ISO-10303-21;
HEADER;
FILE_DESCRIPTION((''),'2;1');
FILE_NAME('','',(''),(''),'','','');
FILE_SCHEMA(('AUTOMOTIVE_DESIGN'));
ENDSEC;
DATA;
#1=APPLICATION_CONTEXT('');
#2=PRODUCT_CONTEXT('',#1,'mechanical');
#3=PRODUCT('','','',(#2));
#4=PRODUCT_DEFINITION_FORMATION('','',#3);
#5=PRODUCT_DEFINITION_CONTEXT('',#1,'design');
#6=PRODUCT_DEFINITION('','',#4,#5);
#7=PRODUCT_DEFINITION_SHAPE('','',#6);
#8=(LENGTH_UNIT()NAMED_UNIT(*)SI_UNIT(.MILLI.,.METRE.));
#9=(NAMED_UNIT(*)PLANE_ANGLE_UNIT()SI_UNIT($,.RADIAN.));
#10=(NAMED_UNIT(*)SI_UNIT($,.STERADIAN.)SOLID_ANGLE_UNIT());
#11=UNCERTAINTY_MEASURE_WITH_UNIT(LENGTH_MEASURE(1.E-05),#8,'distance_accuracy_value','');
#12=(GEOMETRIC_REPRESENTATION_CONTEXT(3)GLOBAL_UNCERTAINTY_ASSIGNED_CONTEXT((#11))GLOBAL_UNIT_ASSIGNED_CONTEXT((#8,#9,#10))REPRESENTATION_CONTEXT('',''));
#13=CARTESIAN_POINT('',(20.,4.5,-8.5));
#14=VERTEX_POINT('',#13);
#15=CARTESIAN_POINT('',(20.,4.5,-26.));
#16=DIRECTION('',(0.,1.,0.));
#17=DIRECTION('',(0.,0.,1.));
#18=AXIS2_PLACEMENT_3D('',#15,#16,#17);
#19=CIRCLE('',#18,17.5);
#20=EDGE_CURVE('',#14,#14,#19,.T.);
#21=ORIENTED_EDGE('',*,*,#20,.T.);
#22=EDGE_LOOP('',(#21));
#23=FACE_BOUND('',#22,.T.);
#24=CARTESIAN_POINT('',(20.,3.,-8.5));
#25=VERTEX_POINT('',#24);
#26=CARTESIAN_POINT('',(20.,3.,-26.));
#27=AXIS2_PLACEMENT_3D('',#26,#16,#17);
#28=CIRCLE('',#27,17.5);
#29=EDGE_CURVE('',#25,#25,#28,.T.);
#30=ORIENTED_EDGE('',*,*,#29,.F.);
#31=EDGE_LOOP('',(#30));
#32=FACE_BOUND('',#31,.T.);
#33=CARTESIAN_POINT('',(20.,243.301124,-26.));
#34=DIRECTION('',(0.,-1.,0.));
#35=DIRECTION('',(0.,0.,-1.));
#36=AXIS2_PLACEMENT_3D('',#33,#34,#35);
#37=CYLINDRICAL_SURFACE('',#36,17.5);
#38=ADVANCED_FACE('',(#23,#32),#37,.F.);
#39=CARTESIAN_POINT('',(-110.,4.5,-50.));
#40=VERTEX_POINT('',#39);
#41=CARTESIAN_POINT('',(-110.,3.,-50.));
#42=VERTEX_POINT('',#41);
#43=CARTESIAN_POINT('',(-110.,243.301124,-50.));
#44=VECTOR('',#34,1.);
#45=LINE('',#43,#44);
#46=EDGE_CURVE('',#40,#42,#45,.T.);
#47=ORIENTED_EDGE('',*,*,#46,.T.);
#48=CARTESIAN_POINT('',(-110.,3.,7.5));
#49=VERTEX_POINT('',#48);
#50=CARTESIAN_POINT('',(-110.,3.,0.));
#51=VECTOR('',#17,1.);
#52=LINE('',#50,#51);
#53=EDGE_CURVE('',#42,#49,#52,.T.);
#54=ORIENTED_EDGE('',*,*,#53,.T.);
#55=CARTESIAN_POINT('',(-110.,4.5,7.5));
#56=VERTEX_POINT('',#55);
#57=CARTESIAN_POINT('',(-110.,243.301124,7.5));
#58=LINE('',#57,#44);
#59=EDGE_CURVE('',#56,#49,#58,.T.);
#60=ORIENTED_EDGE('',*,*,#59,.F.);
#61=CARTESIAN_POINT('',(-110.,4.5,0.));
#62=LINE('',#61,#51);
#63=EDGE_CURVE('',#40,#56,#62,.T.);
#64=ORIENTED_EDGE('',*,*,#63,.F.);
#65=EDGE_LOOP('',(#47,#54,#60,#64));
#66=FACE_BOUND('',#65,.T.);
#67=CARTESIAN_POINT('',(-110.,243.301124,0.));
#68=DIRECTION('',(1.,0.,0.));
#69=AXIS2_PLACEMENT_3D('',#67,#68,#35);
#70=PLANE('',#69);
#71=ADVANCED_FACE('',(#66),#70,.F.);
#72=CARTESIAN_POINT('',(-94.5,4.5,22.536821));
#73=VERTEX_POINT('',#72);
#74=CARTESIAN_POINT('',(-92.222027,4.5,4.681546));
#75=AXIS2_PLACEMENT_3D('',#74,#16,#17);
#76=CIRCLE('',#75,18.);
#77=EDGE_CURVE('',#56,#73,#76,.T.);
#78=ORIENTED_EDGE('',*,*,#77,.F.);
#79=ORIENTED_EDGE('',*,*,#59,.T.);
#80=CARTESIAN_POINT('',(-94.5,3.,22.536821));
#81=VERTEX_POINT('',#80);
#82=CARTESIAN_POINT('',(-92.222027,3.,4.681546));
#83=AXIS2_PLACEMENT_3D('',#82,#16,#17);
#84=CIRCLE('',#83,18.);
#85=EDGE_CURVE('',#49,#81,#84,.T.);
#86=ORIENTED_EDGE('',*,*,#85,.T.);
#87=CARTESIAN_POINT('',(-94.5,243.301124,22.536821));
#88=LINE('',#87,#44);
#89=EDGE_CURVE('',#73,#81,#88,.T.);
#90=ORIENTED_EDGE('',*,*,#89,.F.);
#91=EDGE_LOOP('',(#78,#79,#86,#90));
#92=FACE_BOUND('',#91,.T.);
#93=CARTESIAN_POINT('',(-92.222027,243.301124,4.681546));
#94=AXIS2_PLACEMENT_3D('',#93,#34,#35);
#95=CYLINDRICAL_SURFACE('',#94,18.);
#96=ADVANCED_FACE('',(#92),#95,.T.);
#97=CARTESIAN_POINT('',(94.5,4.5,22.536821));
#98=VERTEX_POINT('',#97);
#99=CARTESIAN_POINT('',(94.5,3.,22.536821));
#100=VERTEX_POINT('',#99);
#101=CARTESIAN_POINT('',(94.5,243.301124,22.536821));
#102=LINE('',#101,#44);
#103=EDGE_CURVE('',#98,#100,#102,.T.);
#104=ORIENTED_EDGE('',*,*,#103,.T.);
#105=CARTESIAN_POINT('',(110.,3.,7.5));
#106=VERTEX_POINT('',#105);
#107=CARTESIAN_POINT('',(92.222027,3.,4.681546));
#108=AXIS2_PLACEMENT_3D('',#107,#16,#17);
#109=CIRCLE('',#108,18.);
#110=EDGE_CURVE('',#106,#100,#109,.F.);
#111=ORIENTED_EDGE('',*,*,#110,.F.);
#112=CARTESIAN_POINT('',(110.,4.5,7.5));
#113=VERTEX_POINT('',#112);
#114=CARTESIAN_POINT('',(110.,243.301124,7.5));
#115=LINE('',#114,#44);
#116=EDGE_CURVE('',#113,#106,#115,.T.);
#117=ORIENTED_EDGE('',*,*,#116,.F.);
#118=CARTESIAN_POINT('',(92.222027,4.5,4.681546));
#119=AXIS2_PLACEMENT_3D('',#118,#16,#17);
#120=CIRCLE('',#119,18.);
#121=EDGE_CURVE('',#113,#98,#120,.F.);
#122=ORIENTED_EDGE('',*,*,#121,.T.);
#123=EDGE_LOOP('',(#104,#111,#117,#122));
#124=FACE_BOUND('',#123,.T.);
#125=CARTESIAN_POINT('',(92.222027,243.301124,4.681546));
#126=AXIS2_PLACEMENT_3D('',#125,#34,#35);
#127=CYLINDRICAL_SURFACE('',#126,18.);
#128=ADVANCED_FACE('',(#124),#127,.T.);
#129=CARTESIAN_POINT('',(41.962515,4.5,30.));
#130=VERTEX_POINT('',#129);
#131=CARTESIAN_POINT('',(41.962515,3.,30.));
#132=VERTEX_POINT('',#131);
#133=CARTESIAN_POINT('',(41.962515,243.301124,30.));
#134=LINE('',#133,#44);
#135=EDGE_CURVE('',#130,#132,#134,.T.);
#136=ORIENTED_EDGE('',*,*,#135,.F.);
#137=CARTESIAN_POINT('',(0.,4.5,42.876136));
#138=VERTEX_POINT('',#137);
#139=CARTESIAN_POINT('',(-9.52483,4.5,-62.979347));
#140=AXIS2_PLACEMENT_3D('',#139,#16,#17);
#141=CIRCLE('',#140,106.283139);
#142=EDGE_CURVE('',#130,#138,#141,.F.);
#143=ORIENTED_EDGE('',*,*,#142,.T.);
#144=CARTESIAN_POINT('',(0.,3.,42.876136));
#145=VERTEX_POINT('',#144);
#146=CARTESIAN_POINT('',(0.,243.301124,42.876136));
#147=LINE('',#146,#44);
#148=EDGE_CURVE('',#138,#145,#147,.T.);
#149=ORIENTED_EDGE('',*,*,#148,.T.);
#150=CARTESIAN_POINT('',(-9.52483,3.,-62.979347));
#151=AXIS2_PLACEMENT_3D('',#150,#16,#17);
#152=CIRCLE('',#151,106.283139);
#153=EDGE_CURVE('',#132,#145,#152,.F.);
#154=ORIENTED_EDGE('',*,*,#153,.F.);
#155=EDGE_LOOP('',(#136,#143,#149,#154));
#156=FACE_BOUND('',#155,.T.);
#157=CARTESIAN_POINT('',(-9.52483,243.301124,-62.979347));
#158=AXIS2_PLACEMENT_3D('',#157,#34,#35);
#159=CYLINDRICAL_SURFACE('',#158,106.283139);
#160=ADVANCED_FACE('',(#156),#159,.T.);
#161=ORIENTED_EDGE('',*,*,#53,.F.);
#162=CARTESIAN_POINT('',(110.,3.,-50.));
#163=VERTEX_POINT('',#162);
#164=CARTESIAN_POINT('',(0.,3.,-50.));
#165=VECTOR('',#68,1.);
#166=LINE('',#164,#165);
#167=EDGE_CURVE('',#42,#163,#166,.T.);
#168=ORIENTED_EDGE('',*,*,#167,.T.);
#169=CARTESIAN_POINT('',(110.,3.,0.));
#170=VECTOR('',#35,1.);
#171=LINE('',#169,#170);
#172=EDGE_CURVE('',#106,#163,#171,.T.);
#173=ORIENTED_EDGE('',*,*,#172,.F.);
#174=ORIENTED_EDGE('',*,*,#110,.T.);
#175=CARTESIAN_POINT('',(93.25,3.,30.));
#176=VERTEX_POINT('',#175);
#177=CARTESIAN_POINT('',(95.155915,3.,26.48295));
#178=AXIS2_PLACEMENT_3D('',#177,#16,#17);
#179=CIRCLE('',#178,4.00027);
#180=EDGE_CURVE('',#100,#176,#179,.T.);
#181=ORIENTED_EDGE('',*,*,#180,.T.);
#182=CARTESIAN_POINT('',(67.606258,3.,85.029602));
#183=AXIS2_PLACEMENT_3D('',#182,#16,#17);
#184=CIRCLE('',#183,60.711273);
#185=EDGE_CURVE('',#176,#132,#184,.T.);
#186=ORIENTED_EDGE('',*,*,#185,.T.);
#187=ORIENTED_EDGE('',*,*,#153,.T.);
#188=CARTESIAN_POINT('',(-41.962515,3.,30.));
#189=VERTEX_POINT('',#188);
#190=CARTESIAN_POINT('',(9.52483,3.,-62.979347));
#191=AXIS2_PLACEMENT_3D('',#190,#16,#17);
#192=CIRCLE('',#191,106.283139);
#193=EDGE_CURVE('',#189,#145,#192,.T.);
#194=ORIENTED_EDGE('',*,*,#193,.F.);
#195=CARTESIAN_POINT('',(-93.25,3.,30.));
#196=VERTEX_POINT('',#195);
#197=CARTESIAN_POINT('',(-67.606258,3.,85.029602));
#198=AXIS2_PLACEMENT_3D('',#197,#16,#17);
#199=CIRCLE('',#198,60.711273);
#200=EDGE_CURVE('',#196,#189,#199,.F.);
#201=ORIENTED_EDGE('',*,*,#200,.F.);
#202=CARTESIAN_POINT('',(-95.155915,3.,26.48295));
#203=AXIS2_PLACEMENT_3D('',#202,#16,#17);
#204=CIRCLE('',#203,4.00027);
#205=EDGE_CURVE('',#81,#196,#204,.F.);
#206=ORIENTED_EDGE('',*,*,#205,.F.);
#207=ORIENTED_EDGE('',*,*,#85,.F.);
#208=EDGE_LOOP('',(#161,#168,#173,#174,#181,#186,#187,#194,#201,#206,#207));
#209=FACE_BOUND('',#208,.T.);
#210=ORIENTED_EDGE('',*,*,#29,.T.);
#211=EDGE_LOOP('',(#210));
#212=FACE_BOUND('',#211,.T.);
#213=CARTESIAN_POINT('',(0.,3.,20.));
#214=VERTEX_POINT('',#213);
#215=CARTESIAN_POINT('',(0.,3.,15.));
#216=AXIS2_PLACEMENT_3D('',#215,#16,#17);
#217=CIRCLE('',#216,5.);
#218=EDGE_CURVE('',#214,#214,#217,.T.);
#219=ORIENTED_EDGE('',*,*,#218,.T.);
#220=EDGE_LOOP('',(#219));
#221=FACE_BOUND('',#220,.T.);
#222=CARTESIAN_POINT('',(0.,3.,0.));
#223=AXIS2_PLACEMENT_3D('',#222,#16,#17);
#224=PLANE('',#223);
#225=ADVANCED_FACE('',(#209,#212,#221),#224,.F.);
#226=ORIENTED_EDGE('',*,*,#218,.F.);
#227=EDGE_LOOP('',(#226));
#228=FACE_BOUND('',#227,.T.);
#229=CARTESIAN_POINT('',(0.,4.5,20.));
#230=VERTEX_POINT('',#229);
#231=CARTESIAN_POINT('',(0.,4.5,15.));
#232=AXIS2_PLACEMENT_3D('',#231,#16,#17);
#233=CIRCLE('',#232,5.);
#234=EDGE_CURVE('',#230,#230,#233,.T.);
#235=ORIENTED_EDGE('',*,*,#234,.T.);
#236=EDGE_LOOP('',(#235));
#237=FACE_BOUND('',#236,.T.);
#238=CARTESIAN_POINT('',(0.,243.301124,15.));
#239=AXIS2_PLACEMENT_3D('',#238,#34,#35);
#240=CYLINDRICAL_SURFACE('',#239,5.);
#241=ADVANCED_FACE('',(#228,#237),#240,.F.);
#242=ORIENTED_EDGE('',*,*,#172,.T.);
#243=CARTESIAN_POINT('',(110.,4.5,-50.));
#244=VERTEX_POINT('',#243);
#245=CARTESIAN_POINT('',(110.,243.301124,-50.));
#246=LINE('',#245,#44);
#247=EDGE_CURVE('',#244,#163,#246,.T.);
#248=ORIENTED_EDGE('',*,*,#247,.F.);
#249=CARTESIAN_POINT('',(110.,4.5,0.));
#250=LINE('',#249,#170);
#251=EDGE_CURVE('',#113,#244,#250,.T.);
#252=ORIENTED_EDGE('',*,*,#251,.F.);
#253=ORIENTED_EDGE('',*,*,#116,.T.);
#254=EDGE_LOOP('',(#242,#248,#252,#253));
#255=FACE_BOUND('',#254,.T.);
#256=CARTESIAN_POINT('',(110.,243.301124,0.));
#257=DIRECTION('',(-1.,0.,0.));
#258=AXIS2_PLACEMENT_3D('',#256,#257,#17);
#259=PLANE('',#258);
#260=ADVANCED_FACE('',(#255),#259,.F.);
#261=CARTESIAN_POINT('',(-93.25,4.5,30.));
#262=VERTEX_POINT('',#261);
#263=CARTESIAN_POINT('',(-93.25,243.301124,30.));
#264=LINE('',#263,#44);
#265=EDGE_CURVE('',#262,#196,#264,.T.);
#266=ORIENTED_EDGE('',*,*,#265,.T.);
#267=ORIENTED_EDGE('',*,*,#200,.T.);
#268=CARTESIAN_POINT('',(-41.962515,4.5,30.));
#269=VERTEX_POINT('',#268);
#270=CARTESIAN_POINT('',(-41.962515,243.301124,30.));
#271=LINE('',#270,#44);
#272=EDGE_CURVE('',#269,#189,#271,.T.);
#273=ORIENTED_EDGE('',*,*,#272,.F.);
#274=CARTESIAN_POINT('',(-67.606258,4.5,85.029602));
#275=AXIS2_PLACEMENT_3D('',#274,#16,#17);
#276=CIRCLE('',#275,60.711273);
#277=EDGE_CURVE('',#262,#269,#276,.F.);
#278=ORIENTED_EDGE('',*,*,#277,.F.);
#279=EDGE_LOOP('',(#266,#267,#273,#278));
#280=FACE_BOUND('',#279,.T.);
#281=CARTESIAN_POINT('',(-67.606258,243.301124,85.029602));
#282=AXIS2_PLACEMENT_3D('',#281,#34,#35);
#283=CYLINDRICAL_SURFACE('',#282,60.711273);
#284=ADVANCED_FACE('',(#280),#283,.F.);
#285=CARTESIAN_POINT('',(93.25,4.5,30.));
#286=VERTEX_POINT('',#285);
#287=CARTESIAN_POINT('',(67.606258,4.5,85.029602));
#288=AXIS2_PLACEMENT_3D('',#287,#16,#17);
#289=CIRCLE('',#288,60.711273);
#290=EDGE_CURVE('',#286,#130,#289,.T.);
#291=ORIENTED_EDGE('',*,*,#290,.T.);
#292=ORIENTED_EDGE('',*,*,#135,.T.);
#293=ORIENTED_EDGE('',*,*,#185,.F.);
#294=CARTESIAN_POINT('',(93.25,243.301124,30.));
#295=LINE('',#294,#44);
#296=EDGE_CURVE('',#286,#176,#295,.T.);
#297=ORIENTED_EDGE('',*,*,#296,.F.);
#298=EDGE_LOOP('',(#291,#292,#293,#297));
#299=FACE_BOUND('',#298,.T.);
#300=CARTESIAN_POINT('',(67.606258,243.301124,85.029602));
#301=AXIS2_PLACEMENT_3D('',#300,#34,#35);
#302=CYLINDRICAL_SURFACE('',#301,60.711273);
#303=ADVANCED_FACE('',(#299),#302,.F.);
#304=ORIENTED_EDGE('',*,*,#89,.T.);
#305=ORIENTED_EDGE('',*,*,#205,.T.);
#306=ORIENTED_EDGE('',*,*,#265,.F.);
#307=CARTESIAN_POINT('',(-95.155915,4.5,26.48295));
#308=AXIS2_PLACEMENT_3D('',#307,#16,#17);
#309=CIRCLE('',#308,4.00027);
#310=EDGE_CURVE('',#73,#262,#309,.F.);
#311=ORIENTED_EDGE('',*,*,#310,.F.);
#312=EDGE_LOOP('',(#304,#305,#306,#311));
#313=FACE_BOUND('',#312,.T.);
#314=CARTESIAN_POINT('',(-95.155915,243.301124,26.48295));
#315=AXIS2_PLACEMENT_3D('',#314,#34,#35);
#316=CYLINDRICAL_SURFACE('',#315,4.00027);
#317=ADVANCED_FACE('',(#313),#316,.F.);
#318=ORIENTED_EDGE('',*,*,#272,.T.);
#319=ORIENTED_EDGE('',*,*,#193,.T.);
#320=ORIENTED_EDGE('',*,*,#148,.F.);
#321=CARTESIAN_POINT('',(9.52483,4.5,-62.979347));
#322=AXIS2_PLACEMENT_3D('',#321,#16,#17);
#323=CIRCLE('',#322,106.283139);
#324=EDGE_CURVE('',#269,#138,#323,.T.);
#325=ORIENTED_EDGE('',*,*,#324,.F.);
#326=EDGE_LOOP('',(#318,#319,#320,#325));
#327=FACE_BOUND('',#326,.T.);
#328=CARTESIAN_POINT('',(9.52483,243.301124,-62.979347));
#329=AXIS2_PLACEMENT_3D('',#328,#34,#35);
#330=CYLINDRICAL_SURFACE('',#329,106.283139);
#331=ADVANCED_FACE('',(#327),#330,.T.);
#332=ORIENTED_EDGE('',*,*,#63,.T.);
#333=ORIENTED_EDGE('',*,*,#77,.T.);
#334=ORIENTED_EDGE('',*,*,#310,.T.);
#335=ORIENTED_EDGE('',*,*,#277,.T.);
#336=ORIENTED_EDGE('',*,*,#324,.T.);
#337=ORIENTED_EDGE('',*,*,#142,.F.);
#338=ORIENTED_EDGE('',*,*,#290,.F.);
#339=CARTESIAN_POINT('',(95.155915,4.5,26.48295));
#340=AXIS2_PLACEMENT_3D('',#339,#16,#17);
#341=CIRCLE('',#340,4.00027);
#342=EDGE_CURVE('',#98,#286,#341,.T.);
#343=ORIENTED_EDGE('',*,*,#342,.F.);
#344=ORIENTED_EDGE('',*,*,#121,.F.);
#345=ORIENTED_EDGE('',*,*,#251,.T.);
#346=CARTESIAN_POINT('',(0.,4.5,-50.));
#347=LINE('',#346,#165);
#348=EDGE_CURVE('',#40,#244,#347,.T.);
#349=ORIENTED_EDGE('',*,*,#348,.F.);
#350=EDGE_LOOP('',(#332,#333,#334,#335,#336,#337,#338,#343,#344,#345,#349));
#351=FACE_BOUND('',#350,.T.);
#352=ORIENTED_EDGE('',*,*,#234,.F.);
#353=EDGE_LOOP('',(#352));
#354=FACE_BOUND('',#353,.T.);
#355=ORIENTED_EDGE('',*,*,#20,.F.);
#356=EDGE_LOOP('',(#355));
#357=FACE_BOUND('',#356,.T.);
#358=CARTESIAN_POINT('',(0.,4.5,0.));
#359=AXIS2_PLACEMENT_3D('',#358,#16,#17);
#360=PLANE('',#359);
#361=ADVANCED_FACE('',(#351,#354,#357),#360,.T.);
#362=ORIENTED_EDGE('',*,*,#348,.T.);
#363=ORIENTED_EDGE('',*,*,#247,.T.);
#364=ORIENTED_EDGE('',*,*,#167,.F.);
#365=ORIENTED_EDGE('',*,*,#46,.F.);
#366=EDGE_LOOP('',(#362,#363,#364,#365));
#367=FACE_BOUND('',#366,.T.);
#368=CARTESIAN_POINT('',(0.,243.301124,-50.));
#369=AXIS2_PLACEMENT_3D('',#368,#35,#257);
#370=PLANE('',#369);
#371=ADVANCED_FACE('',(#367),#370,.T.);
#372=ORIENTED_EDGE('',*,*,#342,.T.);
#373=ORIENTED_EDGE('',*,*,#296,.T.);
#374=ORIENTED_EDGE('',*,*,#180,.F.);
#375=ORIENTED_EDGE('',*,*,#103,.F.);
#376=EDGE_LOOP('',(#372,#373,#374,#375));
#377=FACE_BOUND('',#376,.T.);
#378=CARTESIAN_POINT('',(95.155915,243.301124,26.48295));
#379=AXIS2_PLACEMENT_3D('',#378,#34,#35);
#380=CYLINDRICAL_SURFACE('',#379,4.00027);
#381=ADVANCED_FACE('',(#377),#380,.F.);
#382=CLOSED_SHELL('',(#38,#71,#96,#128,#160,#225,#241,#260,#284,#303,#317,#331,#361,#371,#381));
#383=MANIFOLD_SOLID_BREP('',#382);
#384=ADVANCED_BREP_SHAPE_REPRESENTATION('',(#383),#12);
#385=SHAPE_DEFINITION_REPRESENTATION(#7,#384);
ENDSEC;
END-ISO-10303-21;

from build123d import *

# Parameters (mm, degrees)
SKETCH1_R           = 5
SKETCH1_R_2         = 17.5
BOSS_EXTRUDE1_DEPTH = 1.5


with BuildPart() as part:
    # Sketch1 → Boss-Extrude1 (new body)
    with BuildSketch(Plane(origin=(0, 3, 0), x_dir=(1, 0, 0), z_dir=(0, 1, 0))):
        with BuildLine():
            Line((-110, 50), (-110, -7.5))
            ThreePointArc((-110, -7.5), (-104.755451902, -17.601037804), (-94.5, -22.536820999))
            ThreePointArc((-94.5, -22.536820999), (-91.210601206, -25.822153148), (-93.25, -30))
            ThreePointArc((-93.25, -30), (-67.606257623, -24.318329423), (-41.962515246, -30))
            ThreePointArc((-41.962515246, -30), (-21.653208784, -38.627914511), (0, -42.876136156))
            ThreePointArc((0, -42.876136156), (21.653208784, -38.627914511), (41.962515246, -30))
            ThreePointArc((41.962515246, -30), (67.606257623, -24.318329423), (93.25, -30))
            ThreePointArc((93.25, -30), (91.210601206, -25.822153148), (94.5, -22.536820999))
            ThreePointArc((94.5, -22.536820999), (104.755451902, -17.601037804), (110, -7.5))
            Line((110, -7.5), (110, 50))
            Line((110, 50), (-110, 50))
        make_face()
        with Locations(Location((0, -15, 0), (0, 0, 270))):
            Circle(SKETCH1_R, mode=Mode.SUBTRACT)
        with Locations(Location((20, 26, 0), (0, 0, 270))):
            Circle(SKETCH1_R_2, mode=Mode.SUBTRACT)
    extrude(amount=BOSS_EXTRUDE1_DEPTH)


solid = part.part
